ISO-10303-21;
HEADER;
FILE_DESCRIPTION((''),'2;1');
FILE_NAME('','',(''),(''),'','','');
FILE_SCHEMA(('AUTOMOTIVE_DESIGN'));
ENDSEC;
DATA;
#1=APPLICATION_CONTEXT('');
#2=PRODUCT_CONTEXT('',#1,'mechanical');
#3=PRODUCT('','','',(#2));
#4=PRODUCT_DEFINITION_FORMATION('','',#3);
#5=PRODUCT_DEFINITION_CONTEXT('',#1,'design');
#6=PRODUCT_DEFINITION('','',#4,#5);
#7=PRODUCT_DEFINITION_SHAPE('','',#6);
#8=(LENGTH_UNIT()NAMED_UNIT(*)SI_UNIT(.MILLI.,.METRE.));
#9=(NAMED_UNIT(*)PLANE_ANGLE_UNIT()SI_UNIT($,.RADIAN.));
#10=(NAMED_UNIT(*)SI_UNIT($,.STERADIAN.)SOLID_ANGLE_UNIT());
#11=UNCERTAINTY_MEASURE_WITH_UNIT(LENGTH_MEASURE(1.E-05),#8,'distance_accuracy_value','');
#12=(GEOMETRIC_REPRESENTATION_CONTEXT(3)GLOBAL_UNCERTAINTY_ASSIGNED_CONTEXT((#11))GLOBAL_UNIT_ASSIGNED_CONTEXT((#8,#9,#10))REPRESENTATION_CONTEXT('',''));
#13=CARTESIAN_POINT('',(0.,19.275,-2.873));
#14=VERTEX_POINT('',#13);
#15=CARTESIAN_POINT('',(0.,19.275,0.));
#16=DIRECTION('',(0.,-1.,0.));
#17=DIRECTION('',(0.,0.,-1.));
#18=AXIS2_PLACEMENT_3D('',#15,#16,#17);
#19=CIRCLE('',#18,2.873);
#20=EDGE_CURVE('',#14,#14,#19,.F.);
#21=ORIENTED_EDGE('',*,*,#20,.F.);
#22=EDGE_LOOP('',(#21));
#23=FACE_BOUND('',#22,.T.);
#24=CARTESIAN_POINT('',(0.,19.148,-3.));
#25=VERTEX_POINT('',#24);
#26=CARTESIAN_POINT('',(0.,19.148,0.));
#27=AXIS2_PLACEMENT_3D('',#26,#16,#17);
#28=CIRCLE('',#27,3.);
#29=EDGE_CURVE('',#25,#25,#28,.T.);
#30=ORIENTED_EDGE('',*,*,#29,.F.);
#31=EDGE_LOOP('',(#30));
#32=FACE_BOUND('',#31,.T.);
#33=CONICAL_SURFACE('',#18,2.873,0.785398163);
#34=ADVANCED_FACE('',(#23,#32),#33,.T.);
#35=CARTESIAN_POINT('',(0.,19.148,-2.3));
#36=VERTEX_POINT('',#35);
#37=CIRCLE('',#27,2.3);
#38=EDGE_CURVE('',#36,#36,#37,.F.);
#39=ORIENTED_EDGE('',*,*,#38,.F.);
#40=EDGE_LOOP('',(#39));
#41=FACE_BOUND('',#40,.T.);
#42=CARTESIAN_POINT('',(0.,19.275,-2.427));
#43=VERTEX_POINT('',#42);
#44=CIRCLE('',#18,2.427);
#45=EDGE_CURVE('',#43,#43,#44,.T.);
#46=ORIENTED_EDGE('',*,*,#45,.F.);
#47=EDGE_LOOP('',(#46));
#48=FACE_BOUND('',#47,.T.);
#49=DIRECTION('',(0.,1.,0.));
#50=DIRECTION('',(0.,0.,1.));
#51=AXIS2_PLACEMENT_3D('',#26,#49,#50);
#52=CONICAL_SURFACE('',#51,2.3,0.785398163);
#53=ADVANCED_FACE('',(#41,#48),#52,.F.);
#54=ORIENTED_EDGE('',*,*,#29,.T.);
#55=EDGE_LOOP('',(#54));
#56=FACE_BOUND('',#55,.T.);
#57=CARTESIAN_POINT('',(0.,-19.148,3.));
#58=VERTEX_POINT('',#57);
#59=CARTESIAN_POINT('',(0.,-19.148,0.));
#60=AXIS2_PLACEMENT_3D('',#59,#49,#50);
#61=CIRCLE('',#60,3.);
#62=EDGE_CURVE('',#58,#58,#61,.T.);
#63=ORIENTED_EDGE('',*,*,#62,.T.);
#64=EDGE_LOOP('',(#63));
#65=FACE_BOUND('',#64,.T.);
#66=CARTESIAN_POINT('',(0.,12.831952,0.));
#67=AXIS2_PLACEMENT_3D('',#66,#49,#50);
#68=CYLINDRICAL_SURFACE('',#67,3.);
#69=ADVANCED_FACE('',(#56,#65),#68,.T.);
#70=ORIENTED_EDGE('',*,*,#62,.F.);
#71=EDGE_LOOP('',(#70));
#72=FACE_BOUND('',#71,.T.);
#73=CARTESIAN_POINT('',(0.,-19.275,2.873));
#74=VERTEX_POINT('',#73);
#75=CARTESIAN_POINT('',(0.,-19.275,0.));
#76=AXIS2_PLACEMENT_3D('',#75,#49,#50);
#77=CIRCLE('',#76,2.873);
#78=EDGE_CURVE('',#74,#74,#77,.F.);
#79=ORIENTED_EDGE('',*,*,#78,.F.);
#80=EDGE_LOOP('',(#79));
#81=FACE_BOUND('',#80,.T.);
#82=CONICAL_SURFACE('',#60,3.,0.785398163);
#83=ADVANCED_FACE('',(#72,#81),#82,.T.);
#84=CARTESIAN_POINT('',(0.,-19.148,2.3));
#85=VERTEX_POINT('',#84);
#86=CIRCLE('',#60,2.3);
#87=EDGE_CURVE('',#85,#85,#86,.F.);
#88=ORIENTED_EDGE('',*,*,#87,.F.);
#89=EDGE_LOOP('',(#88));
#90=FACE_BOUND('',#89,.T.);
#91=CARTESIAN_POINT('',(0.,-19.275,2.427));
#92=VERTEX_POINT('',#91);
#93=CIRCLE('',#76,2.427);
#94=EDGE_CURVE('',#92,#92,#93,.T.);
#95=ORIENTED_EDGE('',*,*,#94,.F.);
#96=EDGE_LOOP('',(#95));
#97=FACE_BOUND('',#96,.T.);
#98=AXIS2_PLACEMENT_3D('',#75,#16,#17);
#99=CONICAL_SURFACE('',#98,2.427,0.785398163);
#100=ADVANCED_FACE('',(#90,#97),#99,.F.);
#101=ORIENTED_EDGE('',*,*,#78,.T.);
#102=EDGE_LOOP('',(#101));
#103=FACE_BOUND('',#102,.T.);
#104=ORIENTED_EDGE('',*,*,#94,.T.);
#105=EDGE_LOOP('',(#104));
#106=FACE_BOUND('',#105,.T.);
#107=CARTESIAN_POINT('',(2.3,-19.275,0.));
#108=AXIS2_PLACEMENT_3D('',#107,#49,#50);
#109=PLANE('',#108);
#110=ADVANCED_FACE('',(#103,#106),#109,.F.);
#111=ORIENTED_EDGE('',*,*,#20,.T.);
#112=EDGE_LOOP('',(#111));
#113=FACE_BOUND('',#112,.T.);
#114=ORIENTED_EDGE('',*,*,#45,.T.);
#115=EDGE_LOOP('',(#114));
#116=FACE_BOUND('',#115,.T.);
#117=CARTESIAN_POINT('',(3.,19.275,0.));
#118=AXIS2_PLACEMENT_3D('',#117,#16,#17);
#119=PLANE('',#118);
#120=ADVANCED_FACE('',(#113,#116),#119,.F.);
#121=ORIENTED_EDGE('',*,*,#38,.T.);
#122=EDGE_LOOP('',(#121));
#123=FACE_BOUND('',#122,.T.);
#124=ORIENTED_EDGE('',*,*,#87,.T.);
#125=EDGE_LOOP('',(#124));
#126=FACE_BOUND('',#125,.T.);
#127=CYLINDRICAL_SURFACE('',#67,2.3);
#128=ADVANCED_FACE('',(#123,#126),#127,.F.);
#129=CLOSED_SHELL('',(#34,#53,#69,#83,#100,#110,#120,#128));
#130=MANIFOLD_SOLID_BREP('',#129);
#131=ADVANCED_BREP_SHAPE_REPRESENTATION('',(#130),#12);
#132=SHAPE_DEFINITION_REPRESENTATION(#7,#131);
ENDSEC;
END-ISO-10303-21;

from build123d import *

# Parameters (mm, degrees)
SKETCH1_W     = 0.7
SKETCH1_H     = 38.55
CHAMFER1_SIZE = 0.127


with BuildPart() as part:
    # Sketch1 → Revolve1 (revolve)
    with BuildSketch(Plane.XY):
        with Locations((2.65, 0)):
            Rectangle(SKETCH1_W, SKETCH1_H)
    revolve(axis=Axis((0, 12.831952247, 0), (0, -1, 0)))

    # Chamfer1
    chamfer1_edges = [part.edges().sort_by_distance(p)[0] for p in [
        (-3, 19.275, 0),
        (-3, -19.275, 0),
        (-2.3, -19.275, 0),
        (-2.3, 19.275, 0),
    ]]
    chamfer(chamfer1_edges, length=CHAMFER1_SIZE)


solid = part.part
